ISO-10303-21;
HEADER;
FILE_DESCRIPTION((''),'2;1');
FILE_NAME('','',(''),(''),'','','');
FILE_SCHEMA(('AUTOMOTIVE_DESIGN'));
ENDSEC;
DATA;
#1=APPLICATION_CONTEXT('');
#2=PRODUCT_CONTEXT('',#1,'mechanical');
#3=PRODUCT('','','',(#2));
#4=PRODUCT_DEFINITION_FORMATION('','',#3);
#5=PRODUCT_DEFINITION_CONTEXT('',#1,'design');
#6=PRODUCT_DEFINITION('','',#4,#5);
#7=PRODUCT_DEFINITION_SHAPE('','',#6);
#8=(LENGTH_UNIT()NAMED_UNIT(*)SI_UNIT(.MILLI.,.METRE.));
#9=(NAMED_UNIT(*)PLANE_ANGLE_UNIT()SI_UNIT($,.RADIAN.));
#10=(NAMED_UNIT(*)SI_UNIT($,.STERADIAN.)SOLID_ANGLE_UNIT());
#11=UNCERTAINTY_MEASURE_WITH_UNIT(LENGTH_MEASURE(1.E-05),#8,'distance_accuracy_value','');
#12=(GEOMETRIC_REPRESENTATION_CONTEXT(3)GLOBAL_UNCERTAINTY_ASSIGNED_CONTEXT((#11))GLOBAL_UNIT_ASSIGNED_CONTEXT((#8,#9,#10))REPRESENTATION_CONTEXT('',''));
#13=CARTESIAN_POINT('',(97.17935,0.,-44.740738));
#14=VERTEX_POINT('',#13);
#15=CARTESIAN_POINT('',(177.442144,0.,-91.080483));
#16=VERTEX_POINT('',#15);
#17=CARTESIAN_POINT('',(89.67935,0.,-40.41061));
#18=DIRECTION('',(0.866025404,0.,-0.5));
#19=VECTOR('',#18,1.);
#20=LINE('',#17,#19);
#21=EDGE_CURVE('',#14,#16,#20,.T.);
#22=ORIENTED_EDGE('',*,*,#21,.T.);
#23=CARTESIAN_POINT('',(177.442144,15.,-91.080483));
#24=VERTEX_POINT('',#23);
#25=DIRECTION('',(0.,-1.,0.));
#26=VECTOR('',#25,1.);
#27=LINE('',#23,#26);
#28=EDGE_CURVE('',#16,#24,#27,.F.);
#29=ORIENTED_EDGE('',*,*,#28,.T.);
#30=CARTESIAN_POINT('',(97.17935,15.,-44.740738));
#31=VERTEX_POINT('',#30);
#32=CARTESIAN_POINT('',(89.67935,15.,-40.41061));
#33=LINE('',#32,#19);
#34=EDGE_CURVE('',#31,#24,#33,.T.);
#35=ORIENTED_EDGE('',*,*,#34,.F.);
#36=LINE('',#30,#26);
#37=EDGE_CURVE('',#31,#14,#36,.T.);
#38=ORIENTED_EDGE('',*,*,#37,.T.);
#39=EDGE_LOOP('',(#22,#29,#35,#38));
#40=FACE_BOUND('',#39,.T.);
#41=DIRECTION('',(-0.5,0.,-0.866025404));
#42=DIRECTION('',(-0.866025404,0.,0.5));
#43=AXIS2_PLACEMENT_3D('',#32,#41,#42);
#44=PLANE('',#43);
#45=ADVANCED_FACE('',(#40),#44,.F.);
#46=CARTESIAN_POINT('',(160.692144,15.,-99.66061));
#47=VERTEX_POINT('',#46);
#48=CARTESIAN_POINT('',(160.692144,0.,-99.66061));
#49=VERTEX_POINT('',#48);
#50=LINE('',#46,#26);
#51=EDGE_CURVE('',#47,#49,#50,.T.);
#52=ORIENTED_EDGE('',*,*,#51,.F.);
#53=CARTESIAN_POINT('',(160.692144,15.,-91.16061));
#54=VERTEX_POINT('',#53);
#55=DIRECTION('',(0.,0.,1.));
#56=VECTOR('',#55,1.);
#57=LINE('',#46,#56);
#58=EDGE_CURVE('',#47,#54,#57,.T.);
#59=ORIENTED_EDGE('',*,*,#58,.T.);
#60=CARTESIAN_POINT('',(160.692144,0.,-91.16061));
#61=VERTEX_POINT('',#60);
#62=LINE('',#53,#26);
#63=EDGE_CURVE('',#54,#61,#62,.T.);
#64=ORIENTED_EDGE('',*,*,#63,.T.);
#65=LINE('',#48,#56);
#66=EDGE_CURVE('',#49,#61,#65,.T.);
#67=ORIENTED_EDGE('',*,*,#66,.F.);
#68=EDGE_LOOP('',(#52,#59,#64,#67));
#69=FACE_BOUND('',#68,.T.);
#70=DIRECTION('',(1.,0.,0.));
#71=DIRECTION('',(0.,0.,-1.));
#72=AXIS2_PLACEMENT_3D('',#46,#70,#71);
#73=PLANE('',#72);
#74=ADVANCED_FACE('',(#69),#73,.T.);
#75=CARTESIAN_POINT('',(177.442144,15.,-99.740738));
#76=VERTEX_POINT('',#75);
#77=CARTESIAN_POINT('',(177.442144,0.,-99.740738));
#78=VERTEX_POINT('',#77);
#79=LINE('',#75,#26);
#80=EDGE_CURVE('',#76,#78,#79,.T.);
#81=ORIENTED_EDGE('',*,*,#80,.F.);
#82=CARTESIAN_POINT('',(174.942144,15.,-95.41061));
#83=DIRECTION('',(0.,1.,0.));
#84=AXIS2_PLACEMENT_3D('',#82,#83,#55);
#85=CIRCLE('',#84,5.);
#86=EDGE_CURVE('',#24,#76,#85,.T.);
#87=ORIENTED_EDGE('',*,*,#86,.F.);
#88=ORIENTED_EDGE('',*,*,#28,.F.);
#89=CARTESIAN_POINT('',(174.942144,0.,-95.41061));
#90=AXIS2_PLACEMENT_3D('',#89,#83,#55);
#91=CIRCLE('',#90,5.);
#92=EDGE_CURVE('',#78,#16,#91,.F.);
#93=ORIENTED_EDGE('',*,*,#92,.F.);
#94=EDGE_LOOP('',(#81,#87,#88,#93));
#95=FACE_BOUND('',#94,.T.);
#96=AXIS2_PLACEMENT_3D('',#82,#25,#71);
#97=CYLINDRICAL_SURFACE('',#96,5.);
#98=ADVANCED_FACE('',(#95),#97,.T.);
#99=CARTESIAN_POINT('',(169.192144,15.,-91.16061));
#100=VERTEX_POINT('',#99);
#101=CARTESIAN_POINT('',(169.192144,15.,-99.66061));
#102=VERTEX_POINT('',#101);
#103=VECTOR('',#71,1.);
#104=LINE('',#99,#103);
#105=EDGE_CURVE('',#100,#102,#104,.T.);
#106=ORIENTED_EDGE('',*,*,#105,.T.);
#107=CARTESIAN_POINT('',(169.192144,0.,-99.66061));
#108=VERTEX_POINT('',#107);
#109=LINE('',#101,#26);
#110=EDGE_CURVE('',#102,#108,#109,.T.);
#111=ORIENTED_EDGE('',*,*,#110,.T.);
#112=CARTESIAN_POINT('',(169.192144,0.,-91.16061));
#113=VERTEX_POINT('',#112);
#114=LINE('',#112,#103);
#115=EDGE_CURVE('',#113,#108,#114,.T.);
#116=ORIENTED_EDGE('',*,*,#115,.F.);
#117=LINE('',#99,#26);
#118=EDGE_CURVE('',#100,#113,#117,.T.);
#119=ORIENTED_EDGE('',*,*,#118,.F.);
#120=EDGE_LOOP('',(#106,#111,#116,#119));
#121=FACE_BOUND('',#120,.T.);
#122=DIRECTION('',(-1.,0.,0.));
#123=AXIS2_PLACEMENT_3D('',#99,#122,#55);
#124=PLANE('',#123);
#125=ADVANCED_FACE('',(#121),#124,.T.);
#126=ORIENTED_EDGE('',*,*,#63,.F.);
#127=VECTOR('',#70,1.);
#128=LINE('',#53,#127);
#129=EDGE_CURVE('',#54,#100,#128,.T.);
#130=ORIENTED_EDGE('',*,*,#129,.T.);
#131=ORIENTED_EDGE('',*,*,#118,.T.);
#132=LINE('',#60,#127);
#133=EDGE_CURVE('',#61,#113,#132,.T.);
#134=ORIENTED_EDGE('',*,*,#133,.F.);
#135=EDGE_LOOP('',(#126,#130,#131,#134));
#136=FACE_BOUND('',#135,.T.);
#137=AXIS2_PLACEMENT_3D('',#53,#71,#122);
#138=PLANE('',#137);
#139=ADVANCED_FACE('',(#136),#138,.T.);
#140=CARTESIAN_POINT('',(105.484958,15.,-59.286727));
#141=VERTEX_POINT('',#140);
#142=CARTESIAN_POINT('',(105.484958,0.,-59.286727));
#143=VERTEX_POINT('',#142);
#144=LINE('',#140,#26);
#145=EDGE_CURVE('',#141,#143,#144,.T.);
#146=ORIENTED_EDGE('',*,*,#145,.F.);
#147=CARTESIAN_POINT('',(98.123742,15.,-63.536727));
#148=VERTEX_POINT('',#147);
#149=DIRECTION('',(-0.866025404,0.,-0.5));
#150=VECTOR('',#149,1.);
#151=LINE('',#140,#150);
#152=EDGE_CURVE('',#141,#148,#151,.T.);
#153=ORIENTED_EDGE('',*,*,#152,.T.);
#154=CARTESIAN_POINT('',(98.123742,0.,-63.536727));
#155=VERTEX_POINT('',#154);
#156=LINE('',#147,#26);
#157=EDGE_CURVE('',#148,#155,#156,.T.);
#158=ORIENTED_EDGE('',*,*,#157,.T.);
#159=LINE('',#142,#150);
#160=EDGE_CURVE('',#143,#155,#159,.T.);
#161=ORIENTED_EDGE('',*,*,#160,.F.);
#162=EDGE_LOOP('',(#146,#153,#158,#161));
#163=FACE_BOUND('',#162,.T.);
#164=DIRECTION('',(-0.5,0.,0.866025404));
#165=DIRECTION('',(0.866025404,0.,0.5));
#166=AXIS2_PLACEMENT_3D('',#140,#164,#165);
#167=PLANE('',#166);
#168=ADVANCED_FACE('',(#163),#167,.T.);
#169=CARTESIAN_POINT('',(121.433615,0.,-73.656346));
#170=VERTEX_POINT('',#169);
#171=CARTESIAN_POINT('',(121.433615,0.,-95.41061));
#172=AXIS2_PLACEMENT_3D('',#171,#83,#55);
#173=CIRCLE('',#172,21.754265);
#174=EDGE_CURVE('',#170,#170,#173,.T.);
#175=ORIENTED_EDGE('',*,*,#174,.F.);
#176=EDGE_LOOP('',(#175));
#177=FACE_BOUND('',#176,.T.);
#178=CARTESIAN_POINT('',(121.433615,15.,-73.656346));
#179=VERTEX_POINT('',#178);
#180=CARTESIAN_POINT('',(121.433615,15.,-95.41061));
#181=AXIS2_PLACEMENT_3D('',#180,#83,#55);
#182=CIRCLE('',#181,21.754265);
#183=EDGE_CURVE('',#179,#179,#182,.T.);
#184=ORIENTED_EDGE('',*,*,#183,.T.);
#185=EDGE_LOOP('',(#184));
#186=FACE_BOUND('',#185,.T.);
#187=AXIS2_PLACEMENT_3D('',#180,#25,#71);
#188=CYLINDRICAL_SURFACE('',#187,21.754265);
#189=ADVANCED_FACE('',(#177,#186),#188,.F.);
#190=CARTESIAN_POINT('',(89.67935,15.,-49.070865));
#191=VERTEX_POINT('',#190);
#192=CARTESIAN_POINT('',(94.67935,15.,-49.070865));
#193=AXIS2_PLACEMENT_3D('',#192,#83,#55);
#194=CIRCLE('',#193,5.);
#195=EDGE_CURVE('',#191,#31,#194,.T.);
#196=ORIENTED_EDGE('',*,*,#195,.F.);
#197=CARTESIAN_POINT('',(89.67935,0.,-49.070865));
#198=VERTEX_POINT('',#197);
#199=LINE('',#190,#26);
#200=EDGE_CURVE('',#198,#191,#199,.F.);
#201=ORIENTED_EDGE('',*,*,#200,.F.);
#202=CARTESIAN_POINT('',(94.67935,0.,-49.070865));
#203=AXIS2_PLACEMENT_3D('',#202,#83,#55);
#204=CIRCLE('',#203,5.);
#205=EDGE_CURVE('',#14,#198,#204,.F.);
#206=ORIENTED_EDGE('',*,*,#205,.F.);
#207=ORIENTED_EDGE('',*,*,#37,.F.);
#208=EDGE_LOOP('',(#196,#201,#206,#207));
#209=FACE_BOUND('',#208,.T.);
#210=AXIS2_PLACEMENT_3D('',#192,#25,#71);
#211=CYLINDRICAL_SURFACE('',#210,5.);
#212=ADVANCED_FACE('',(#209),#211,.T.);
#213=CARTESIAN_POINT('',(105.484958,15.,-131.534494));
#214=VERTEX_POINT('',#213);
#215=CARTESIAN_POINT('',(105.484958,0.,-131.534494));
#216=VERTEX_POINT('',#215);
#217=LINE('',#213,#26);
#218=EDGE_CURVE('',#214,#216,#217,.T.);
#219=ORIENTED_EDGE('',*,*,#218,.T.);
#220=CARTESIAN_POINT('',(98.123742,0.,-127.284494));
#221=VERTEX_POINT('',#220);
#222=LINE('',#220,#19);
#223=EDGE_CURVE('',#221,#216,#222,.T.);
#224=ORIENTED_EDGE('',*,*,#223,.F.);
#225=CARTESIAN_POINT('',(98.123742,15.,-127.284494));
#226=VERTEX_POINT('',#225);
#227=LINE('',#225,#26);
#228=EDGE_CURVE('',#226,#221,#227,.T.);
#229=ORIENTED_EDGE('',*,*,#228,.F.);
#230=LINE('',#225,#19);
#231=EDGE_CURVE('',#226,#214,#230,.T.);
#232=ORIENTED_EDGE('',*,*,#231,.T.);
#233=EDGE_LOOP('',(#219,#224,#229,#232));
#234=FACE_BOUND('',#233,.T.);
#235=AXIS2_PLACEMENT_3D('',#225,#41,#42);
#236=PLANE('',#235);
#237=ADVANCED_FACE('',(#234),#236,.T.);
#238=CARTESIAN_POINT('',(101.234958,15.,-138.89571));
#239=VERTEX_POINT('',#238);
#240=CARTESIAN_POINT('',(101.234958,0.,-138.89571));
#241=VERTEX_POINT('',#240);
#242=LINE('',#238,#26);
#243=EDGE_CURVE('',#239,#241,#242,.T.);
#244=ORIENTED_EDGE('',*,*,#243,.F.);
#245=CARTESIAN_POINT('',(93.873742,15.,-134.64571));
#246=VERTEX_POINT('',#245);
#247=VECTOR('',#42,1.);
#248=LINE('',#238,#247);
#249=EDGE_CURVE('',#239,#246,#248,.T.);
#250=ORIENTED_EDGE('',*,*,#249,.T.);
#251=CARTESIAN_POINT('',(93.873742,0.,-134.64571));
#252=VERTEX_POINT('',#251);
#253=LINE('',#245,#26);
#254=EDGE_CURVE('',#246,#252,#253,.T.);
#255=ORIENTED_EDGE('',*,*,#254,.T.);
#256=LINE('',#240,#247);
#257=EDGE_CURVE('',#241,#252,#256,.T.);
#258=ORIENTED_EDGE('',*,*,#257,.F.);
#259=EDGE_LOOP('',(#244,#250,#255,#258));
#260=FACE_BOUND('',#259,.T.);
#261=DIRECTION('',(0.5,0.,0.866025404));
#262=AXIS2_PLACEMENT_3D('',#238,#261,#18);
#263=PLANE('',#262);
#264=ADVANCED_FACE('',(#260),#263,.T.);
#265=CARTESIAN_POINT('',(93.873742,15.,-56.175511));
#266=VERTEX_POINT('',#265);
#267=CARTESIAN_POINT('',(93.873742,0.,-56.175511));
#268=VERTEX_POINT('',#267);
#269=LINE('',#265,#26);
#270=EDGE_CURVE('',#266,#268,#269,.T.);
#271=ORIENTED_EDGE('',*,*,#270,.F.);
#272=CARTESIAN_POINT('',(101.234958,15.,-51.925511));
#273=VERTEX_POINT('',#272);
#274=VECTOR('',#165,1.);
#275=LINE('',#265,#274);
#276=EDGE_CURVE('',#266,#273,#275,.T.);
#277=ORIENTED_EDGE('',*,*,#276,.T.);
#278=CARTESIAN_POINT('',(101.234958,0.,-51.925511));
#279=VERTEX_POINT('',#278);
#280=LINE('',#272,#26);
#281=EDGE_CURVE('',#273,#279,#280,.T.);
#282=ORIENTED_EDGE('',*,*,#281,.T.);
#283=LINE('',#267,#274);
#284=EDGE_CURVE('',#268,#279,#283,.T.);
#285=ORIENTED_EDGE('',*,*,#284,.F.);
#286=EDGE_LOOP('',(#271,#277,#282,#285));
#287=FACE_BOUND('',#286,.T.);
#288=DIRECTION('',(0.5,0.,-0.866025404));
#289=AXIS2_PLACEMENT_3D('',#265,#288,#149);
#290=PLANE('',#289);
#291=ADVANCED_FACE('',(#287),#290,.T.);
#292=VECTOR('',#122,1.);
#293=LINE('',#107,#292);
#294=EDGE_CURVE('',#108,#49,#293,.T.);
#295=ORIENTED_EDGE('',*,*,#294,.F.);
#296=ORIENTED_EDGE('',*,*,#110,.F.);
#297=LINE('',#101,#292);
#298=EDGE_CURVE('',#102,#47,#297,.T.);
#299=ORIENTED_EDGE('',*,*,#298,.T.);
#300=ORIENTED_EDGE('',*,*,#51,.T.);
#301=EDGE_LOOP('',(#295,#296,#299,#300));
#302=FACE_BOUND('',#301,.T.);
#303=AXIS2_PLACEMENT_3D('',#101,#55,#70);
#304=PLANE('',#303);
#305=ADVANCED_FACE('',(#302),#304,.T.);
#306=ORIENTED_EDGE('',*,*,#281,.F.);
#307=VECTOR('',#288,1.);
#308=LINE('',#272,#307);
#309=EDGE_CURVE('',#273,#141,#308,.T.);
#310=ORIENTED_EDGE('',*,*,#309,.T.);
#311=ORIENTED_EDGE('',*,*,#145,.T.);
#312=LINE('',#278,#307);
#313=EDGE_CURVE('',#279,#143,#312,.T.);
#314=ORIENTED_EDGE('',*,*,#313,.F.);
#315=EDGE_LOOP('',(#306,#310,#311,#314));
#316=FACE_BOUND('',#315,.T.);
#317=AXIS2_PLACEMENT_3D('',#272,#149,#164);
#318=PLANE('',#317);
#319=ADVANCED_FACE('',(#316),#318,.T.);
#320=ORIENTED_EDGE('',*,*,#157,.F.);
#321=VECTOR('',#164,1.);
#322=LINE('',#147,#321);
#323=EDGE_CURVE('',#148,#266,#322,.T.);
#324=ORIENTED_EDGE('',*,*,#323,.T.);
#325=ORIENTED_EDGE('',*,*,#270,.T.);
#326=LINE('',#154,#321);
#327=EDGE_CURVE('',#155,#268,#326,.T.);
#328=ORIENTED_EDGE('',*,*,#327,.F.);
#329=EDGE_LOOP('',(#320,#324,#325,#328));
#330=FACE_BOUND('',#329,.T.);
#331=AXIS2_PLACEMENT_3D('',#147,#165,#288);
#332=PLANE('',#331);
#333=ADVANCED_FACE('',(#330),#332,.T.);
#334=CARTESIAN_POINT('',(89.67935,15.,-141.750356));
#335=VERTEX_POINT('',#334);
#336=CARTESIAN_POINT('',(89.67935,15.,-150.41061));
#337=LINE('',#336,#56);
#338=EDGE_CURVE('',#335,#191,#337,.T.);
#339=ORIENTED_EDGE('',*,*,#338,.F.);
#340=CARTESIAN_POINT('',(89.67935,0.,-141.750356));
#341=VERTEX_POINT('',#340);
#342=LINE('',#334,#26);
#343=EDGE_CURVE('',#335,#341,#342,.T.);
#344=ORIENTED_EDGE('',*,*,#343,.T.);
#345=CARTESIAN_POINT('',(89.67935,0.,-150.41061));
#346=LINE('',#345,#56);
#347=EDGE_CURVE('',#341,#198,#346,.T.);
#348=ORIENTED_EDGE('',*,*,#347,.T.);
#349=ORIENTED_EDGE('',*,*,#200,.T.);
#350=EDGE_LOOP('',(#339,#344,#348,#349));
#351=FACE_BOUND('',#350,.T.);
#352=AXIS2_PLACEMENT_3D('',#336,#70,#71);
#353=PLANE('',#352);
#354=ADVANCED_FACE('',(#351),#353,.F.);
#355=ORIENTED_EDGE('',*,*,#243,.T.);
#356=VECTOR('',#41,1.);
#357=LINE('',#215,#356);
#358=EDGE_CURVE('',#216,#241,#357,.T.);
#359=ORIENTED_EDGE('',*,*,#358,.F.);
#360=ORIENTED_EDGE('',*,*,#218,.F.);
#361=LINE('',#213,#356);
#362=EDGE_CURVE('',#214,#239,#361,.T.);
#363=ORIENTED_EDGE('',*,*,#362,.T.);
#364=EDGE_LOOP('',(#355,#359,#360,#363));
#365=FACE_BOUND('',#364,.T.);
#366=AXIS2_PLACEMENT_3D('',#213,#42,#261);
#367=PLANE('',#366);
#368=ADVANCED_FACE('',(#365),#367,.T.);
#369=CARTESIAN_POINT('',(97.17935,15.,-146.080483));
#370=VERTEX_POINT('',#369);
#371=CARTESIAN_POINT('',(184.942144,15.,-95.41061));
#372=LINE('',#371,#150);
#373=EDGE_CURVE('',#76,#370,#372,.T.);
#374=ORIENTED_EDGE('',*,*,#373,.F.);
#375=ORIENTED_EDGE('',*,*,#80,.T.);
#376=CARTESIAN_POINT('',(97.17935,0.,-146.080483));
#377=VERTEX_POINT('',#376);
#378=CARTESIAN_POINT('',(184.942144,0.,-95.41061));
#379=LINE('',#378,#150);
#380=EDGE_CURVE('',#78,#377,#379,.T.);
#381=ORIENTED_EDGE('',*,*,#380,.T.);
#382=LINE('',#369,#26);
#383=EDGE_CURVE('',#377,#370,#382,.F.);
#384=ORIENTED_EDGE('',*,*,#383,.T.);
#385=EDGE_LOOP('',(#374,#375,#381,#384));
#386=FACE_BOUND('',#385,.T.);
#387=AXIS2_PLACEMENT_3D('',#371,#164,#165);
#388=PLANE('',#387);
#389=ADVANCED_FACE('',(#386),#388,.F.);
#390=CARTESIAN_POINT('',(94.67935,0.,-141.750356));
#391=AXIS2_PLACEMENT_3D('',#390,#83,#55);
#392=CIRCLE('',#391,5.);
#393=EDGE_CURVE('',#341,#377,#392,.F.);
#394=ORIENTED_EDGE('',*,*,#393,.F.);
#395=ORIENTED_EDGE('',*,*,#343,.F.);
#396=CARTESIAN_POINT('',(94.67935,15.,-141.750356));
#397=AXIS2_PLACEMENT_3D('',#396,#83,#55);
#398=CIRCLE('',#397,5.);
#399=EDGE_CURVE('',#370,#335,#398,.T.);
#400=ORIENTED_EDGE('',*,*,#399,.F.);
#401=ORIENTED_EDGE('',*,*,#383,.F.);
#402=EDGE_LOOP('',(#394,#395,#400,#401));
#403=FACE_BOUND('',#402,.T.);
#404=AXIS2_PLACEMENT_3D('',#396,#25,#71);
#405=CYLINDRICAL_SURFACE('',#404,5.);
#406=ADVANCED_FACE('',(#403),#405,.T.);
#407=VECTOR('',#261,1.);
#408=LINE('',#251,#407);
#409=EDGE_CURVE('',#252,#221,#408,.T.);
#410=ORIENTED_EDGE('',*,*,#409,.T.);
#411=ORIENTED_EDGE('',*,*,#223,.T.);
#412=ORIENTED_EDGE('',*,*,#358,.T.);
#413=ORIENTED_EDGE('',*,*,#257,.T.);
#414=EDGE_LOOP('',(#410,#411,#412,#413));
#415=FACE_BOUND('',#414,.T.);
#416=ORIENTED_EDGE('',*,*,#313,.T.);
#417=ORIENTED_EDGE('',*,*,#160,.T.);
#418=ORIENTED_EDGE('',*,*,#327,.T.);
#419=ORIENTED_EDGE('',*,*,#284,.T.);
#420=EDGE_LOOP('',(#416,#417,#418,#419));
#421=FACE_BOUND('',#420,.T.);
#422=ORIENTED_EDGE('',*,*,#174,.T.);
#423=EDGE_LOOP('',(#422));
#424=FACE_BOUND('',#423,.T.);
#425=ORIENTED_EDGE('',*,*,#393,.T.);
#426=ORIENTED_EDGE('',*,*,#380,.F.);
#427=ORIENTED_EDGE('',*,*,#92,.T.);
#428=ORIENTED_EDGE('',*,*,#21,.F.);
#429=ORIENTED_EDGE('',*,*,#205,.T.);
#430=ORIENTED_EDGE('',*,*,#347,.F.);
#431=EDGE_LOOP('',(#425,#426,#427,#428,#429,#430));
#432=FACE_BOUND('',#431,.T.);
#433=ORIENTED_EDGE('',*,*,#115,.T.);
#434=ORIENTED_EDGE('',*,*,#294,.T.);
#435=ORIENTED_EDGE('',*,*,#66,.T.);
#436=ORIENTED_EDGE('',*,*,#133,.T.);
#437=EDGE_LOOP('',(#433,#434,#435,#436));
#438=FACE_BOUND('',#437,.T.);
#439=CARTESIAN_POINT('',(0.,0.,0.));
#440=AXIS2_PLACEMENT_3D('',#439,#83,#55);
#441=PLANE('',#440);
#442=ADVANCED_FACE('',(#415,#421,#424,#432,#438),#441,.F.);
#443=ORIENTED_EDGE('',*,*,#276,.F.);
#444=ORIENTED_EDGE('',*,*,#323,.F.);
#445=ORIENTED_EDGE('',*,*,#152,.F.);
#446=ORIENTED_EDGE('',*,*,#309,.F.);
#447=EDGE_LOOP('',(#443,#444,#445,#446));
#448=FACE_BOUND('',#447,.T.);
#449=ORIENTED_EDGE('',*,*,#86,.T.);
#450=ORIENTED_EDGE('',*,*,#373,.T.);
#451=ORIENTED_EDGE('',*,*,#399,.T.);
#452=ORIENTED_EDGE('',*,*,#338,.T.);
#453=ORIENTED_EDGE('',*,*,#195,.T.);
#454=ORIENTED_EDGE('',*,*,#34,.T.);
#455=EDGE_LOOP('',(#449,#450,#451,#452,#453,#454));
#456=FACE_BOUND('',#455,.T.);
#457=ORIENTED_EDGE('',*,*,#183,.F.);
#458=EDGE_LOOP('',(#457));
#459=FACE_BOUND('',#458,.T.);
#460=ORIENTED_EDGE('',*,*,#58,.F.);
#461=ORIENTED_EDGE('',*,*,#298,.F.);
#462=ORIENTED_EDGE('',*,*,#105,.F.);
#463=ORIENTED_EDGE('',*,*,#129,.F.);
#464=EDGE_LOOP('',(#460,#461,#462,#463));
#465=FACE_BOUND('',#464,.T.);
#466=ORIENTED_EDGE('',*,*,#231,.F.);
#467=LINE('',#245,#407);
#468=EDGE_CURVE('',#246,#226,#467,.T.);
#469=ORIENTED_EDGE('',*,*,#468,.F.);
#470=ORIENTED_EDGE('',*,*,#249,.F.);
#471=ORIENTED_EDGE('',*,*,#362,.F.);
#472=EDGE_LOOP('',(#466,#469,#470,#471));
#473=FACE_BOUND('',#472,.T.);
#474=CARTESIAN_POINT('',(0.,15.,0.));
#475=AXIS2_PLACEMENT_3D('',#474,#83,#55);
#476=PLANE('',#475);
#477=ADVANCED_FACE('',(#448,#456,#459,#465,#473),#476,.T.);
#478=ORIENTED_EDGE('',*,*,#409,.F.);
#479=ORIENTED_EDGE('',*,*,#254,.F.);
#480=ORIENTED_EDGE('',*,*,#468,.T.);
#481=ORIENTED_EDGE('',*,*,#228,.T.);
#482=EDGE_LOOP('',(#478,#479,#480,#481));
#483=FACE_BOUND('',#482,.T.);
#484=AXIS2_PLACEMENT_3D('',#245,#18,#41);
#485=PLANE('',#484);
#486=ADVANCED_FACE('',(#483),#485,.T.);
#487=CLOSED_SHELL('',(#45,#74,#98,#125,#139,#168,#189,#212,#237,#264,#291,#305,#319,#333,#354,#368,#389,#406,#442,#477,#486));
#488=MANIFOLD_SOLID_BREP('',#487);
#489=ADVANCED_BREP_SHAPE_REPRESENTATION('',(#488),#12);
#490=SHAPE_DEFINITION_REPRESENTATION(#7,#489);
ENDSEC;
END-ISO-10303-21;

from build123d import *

# Parameters (mm, degrees)
SKETCH2_R           = 21.754264805
SKETCH2_W           = 8.5
SKETCH2_H           = 8.5
BOSS_EXTRUDE2_DEPTH = 15
FILLET2_R           = 5


with BuildPart() as part:
    # Sketch2 → Boss-Extrude2 (new body)
    with BuildSketch(Plane(origin=(0, 0, 0), x_dir=(1, 0, 0), z_dir=(0, 1, 0))):
        Polygon((184.942144259, 95.410610484), (89.679349842, 150.410610484), (89.679349842, 40.410610484), align=None)
        with Locations(Location((121.433614648, 95.410610484, 0), (0, 0, 270))):
            Circle(SKETCH2_R, mode=Mode.SUBTRACT)
        Polygon((105.484957808, 59.286726526), (98.123741876, 63.536726526), (93.873741876, 56.175510594), (101.234957808, 51.925510594), align=None, mode=Mode.SUBTRACT)
        with Locations((164.942144259, 95.410610484)):
            Rectangle(SKETCH2_W, SKETCH2_H, mode=Mode.SUBTRACT)
        Polygon((105.484957808, 131.534494442), (101.234957808, 138.895710374), (93.873741876, 134.645710374), (98.123741876, 127.284494442), align=None, mode=Mode.SUBTRACT)
    extrude(amount=BOSS_EXTRUDE2_DEPTH)

    # Fillet2
    fillet2_edges = [part.edges().sort_by_distance(p)[0] for p in [
        (89.679349842, 7.5, -40.410610484),
        (89.679349842, 7.5, -150.410610484),
        (184.942144259, 7.5, -95.410610484),
    ]]
    fillet(fillet2_edges, radius=FILLET2_R)


solid = part.part
